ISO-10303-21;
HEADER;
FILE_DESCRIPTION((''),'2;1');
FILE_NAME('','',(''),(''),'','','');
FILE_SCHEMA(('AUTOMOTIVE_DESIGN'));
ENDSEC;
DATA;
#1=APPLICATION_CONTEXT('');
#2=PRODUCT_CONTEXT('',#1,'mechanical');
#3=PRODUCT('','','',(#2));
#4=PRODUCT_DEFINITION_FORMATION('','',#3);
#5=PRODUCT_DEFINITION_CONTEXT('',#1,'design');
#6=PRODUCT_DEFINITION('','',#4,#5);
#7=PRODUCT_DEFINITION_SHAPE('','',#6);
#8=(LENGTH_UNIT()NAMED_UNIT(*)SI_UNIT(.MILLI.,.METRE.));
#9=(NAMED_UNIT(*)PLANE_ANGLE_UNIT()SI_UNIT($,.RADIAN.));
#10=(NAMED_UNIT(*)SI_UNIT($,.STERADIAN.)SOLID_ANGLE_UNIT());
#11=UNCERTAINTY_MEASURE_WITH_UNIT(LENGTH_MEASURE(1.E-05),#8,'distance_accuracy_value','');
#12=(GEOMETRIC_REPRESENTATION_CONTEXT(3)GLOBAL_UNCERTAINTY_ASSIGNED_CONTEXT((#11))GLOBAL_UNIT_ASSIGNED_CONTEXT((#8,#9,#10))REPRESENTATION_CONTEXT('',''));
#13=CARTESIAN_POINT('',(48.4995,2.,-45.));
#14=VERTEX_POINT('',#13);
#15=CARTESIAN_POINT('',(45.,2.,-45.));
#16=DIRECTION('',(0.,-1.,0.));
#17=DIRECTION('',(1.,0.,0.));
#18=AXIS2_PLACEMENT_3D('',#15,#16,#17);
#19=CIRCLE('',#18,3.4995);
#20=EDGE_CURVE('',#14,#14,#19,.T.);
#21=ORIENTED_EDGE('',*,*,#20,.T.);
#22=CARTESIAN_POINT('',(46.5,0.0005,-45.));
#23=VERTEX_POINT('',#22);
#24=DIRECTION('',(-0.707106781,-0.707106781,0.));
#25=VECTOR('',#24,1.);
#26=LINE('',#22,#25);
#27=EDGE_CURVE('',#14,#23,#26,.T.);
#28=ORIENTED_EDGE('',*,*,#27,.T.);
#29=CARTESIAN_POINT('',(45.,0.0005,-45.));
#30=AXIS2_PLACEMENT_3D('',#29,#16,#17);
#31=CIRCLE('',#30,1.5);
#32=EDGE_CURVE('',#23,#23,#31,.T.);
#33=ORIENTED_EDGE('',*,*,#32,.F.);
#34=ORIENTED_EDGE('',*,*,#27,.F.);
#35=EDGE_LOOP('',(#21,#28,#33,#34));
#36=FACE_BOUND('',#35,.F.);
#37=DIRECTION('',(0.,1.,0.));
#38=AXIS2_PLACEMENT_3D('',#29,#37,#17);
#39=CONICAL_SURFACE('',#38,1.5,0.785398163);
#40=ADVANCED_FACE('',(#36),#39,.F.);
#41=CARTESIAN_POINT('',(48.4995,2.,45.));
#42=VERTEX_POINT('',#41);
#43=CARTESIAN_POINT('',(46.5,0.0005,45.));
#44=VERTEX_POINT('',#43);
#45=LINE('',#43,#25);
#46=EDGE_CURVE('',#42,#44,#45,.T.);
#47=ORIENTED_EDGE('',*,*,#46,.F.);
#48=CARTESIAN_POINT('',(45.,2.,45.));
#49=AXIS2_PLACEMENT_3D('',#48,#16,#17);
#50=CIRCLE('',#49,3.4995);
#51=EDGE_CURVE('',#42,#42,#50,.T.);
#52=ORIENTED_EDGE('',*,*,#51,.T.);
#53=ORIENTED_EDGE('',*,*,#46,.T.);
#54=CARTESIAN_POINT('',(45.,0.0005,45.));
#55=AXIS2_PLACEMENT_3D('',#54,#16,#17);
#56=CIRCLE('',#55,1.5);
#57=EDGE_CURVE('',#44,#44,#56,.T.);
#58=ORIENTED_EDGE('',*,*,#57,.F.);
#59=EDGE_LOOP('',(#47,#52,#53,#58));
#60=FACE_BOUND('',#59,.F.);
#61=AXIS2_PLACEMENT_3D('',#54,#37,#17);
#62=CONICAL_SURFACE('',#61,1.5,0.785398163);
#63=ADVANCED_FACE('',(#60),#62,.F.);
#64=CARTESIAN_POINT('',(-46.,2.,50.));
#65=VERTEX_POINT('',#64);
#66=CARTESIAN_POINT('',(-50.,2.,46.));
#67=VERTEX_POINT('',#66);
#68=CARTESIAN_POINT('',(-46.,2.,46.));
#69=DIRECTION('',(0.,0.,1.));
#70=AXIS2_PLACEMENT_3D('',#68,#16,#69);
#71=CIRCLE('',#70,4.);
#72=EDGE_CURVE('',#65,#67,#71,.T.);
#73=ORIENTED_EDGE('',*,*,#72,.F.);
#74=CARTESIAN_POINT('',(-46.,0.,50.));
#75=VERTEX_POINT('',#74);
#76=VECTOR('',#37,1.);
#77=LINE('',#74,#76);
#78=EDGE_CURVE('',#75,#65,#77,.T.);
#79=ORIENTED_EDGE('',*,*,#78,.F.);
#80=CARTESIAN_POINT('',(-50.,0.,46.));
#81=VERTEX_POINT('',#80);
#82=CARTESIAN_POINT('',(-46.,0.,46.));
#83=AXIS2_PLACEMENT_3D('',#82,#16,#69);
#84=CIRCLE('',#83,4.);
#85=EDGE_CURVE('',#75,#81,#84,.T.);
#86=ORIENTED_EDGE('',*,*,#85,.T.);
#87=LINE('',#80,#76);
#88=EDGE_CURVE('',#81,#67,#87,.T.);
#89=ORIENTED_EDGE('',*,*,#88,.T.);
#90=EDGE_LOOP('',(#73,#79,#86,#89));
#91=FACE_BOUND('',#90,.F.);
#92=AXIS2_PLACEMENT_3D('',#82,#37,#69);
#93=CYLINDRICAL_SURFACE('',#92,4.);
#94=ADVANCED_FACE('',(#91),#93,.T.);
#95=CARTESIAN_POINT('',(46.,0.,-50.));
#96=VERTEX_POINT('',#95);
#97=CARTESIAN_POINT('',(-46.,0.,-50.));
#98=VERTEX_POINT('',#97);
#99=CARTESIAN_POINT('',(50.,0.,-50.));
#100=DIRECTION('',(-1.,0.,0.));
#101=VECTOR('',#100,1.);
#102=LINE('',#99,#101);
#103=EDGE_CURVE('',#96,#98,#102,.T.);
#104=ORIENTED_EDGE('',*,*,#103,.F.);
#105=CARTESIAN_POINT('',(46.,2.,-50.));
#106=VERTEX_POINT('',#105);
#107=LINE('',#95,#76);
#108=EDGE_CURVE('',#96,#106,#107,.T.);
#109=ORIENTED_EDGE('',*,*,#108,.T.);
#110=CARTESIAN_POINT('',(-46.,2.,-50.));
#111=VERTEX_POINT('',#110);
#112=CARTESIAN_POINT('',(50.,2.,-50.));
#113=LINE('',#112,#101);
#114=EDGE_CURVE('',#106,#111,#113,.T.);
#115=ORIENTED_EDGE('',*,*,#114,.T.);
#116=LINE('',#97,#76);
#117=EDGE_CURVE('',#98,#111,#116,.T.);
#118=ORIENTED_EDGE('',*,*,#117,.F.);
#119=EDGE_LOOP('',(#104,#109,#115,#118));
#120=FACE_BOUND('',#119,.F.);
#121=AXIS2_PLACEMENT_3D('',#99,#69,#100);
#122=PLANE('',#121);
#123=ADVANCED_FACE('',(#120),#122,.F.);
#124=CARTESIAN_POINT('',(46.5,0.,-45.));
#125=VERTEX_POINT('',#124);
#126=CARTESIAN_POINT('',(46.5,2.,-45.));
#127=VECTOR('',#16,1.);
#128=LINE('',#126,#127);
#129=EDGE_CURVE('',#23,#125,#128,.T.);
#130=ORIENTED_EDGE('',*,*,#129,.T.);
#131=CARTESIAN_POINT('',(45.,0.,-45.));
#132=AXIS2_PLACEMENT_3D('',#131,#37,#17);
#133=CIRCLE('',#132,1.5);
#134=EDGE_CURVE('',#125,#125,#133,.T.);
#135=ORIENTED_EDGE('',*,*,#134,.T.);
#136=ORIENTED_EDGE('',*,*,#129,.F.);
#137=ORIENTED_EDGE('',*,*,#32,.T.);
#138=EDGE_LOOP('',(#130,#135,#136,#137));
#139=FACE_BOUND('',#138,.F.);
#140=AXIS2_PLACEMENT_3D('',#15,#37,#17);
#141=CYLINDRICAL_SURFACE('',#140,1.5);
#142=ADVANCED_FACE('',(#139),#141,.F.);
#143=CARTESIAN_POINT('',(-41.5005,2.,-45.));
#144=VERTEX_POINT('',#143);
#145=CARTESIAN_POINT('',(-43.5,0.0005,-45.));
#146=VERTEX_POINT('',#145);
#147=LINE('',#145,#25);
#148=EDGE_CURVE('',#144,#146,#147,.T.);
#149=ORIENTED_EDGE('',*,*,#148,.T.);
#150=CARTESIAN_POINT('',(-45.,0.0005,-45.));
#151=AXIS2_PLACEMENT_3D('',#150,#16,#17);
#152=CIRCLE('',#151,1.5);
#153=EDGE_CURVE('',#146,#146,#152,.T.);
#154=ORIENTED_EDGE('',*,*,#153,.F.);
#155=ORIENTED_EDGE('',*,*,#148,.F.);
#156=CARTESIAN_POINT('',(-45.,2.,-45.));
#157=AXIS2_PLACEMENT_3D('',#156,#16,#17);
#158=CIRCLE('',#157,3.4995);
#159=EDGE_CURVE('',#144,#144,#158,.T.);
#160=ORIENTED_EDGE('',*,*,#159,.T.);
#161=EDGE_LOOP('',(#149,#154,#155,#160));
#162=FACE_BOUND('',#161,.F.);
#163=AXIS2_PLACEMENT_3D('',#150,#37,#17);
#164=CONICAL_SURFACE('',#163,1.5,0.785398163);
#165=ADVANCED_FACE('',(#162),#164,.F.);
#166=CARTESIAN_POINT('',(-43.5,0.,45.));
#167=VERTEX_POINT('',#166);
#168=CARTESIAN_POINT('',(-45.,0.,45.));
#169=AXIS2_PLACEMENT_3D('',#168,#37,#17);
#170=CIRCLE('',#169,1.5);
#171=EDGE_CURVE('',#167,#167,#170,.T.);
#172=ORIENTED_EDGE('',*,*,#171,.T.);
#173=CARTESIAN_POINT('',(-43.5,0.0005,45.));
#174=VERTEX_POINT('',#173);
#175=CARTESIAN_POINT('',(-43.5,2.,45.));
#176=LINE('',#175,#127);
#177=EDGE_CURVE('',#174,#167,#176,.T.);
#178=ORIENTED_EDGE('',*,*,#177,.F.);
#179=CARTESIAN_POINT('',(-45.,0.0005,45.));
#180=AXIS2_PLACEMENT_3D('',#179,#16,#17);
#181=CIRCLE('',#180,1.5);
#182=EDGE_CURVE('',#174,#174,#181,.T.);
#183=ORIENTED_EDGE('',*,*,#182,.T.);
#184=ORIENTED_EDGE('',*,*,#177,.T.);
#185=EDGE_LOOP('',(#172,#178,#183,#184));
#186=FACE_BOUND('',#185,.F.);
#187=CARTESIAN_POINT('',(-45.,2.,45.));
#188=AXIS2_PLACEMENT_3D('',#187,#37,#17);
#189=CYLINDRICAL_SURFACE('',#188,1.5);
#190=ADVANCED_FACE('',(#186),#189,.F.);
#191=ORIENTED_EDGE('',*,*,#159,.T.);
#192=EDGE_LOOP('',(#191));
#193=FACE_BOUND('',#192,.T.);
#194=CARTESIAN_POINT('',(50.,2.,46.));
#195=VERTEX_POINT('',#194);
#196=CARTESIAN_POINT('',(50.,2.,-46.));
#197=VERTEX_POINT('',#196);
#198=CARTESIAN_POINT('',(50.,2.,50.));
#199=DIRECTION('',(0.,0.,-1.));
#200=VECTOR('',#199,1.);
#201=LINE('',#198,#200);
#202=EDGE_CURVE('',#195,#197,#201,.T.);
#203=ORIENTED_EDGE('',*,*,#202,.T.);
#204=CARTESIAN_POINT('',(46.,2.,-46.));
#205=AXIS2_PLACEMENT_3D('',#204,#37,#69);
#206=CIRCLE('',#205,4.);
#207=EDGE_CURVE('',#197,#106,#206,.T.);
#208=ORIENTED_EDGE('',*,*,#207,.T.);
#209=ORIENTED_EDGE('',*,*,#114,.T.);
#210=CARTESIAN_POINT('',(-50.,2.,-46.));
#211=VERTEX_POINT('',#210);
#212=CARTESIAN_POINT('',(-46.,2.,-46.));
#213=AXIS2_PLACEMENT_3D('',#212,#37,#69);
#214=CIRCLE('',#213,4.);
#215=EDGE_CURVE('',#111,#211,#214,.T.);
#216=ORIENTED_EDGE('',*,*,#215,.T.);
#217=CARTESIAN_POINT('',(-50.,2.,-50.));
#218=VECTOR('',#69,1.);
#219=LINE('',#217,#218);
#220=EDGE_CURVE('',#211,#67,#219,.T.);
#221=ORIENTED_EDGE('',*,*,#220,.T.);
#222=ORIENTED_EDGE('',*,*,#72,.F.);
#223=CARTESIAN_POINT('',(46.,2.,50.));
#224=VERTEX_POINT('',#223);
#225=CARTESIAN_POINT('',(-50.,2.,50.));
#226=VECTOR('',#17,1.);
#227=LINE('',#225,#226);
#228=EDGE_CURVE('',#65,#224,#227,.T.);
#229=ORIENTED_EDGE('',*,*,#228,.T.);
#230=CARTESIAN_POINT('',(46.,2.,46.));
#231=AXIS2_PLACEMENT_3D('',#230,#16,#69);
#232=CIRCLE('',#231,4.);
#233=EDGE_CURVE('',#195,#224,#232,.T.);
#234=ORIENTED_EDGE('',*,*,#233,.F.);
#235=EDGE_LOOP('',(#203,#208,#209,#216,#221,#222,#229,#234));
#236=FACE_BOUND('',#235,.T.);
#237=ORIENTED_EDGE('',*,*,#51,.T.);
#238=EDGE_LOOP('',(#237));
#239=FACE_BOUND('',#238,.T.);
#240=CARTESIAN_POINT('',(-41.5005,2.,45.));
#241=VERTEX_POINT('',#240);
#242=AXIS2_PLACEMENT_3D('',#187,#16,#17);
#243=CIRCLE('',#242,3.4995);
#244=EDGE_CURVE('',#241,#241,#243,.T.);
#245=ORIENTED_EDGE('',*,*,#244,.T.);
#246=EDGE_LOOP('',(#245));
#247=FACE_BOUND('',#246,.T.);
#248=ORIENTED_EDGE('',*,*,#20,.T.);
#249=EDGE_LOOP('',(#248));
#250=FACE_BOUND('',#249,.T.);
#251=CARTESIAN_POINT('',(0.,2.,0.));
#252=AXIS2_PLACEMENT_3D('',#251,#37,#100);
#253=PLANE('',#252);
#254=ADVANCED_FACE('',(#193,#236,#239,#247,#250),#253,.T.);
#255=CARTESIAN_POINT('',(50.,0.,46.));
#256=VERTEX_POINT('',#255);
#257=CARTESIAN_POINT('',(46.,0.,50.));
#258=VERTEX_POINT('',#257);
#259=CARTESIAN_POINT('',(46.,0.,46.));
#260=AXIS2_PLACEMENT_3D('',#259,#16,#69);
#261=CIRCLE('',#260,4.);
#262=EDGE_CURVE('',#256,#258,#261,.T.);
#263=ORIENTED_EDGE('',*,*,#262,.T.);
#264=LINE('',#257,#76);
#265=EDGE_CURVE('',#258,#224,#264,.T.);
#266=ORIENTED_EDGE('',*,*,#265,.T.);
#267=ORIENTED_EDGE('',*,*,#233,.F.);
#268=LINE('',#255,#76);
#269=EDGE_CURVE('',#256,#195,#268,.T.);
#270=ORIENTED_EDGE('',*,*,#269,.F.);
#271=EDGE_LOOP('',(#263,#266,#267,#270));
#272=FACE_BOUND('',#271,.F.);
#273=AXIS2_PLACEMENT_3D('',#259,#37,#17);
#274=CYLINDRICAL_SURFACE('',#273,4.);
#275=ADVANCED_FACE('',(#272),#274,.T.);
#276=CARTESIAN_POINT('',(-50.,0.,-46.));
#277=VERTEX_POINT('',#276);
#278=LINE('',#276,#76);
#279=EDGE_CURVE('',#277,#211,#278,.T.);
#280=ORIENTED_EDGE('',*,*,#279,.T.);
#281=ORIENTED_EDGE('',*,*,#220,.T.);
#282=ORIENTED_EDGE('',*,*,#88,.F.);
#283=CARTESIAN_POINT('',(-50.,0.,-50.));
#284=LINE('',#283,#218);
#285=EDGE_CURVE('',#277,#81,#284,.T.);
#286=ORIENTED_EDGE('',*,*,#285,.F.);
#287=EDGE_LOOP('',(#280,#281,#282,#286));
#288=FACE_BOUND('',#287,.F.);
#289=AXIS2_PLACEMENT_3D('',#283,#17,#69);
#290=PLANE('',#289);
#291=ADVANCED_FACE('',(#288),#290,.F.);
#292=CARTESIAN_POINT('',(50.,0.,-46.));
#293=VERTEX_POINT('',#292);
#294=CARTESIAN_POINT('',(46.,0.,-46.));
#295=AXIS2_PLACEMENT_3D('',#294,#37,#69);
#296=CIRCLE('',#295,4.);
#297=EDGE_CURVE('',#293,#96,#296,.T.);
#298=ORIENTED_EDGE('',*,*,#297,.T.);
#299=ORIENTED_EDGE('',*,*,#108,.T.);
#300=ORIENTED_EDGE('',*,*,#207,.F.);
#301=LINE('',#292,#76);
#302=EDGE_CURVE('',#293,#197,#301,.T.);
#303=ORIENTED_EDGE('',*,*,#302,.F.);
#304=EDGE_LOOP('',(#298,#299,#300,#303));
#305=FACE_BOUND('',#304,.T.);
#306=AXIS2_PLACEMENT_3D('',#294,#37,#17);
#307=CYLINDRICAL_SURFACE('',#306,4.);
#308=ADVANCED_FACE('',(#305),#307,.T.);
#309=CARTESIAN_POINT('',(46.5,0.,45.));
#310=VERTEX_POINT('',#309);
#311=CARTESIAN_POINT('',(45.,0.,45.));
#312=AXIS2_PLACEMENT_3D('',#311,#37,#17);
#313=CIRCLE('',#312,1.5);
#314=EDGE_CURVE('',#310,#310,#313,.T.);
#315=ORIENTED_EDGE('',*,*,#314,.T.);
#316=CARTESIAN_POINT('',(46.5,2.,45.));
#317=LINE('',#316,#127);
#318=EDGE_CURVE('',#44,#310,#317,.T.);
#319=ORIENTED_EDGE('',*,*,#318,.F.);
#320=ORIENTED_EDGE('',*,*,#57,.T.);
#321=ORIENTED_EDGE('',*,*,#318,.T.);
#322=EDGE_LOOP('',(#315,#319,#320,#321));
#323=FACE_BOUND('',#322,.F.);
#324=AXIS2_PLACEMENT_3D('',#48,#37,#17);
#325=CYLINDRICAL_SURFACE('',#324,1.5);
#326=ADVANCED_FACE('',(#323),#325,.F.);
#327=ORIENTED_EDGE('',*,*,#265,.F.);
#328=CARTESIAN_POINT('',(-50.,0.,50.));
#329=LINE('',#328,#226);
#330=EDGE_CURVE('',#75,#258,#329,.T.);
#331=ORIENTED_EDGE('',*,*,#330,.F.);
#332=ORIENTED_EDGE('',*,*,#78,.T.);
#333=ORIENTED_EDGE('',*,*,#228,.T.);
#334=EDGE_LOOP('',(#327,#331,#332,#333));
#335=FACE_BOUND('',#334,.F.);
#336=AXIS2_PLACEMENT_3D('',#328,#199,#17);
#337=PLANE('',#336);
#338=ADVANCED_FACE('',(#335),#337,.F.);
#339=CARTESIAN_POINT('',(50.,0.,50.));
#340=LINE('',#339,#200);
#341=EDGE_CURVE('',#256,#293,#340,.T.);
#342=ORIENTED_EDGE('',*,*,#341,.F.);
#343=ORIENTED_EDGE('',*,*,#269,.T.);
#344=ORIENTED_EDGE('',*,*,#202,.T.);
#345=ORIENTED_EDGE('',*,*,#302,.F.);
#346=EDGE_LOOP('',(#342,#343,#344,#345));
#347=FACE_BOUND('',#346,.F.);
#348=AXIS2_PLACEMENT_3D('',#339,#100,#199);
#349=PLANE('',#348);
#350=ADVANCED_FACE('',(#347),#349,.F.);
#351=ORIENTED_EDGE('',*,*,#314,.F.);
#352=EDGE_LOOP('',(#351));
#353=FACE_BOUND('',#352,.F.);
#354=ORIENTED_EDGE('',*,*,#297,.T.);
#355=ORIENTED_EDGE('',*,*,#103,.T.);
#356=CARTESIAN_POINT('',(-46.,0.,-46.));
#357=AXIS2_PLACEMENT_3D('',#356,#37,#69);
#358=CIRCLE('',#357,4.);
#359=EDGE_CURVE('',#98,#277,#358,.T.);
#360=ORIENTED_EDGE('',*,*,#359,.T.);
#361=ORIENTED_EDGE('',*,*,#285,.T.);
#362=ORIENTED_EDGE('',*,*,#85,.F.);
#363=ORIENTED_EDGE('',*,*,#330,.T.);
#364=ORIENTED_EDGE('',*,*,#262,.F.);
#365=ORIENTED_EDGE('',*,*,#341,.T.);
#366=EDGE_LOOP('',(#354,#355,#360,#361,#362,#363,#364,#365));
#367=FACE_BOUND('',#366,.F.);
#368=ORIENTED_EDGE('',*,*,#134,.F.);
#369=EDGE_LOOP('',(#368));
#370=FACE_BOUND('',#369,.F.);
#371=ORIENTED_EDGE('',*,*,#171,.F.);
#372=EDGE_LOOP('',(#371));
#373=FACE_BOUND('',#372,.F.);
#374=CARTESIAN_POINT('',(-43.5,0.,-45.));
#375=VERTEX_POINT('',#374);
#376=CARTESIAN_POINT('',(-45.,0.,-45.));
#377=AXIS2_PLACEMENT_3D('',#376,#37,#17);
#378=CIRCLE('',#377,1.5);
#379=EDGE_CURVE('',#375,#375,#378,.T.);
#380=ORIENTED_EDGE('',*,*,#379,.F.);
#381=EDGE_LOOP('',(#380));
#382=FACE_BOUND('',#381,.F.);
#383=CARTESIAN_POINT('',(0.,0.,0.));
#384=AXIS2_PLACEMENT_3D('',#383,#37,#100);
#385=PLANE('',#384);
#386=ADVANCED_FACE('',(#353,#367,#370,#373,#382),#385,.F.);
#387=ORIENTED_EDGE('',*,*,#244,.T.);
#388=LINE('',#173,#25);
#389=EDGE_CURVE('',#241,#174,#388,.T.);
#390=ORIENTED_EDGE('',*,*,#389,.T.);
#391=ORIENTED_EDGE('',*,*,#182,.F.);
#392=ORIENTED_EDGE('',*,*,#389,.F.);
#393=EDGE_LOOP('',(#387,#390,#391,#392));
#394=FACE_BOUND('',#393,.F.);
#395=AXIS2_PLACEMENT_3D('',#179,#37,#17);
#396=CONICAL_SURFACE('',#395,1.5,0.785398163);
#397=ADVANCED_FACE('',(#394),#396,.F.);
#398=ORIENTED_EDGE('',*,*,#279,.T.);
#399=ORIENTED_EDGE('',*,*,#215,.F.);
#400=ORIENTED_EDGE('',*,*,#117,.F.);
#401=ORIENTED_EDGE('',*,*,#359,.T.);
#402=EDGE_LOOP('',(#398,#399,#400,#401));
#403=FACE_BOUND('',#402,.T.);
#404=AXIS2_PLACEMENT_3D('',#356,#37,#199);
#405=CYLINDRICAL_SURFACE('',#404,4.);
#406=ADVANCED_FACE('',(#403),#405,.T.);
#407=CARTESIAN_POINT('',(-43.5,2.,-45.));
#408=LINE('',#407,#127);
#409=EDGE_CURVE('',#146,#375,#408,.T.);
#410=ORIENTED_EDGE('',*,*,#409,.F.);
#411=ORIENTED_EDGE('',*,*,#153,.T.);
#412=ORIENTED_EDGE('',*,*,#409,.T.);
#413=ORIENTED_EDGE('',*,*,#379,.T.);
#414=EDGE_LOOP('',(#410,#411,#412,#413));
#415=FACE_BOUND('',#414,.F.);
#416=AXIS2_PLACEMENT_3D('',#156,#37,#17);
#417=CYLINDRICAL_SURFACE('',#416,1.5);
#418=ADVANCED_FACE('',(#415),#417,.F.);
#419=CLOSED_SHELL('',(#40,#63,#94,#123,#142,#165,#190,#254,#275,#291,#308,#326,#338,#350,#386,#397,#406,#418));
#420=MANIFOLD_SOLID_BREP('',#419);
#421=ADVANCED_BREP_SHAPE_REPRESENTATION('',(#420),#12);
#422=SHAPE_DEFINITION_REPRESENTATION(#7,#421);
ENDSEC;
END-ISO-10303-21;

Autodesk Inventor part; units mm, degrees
ref_plane "YZ Plane" through (0, 0, 0) normal (1, 0, 0) x (0, 1, 0)
ref_plane "XZ Plane" through (0, 0, 0) normal (0, 1, 0) x (-1, 0, 0)
ref_plane "XY Plane" through (0, 0, 0) normal (0, 0, 1) x (1, 0, 0)
sketch "Szkic1" plane through (0, 0, 0) normal (0, 1, 0) x (-1, 0, 0)
  line L0 (-50, -50) -> (50, -50)
  line L1 (50, -50) -> (50, 50)
  line L2 (50, 50) -> (-50, 50)
  line L3 (-50, 50) -> (-50, -50)
  line L4 (-50, -50) -> (50, 50) construction
  line L5 (50, -50) -> (-50, 50) construction
  point P0 (0, 0)
  dimension "d0" = 100
  dimension "d1" = 100
extrude "Wyciągnięcie proste1" add sketch "Szkic1" along normal blind 2
sketch "Szkic2" plane through (0, 2, 0) normal (0, 1, 0) x (1, 0, 0)
  line L0 (-45, -45) -> (45, -45)
  line L1 (45, -45) -> (45, 45)
  line L2 (45, 45) -> (-45, 45)
  line L3 (-45, 45) -> (-45, -45)
  line L4 (-45, -45) -> (45, 45) construction
  line L5 (45, -45) -> (-45, 45) construction
  circle A0 centre (-45, 45) radius 1.5
  circle A1 centre (-45, -45) radius 1.5
  circle A2 centre (45, -45) radius 1.5
  circle A3 centre (45, 45) radius 1.5
  point P0 (0, 0)
  dimension "d4" = 90
  dimension "d5" = 90
  dimension "d6" = 3
  dimension "d7" = 3
  dimension "d8" = 3
  dimension "d9" = 3
extrude "Wyciągnięcie proste2" cut sketch "Szkic2" against normal blind 3 contours L3 A1 L0 | L0 A1 L3 | A2 L1 L0 | L0 L1 A2 | A0 L2 L3 | L3 L2 A0 | A3 L2 L1 | L1 L2 A3
chamfer "Faza1" distance 2 angle 45 4 edges at (-46.5, 2, 45) (-46.5, 2, -45) (43.5, 2, -45) (43.5, 2, 45)
fillet "Zaokrąglenie1" radius 4 4 edges at (50, 1, -50) (50, 1, 50) (-50, 1, 50) (-50, 1, -50)
sketch "Szkic3" plane through (0, 2, 0) normal (0, 1, 0) x (1, 0, 0)
  circle A0 centre (45, 45) radius 3.5 projected
  circle A1 centre (-45, -45) radius 3.5 projected
  arc A2 (-46, 50) -> (-50, 46) centre (-46, 46) ccw projected
  line L0 (-50, 46) -> (-50, -46) projected
  arc A3 (-50, -46) -> (-46, -50) centre (-46, -46) ccw projected
  line L1 (-46, -50) -> (46, -50) projected
  arc A4 (46, -50) -> (50, -46) centre (46, -46) ccw projected
  line L2 (50, -46) -> (50, 46) projected
  arc A5 (50, 46) -> (46, 50) centre (46, 46) ccw projected
  line L3 (46, 50) -> (-46, 50) projected
  circle A6 centre (-45, 45) radius 3.5 projected
  circle A7 centre (45, -45) radius 3.5 projected
  point P0 (0, 0)
equation "\"d10\" = d8"
properties part number "logo e-laska 2"
